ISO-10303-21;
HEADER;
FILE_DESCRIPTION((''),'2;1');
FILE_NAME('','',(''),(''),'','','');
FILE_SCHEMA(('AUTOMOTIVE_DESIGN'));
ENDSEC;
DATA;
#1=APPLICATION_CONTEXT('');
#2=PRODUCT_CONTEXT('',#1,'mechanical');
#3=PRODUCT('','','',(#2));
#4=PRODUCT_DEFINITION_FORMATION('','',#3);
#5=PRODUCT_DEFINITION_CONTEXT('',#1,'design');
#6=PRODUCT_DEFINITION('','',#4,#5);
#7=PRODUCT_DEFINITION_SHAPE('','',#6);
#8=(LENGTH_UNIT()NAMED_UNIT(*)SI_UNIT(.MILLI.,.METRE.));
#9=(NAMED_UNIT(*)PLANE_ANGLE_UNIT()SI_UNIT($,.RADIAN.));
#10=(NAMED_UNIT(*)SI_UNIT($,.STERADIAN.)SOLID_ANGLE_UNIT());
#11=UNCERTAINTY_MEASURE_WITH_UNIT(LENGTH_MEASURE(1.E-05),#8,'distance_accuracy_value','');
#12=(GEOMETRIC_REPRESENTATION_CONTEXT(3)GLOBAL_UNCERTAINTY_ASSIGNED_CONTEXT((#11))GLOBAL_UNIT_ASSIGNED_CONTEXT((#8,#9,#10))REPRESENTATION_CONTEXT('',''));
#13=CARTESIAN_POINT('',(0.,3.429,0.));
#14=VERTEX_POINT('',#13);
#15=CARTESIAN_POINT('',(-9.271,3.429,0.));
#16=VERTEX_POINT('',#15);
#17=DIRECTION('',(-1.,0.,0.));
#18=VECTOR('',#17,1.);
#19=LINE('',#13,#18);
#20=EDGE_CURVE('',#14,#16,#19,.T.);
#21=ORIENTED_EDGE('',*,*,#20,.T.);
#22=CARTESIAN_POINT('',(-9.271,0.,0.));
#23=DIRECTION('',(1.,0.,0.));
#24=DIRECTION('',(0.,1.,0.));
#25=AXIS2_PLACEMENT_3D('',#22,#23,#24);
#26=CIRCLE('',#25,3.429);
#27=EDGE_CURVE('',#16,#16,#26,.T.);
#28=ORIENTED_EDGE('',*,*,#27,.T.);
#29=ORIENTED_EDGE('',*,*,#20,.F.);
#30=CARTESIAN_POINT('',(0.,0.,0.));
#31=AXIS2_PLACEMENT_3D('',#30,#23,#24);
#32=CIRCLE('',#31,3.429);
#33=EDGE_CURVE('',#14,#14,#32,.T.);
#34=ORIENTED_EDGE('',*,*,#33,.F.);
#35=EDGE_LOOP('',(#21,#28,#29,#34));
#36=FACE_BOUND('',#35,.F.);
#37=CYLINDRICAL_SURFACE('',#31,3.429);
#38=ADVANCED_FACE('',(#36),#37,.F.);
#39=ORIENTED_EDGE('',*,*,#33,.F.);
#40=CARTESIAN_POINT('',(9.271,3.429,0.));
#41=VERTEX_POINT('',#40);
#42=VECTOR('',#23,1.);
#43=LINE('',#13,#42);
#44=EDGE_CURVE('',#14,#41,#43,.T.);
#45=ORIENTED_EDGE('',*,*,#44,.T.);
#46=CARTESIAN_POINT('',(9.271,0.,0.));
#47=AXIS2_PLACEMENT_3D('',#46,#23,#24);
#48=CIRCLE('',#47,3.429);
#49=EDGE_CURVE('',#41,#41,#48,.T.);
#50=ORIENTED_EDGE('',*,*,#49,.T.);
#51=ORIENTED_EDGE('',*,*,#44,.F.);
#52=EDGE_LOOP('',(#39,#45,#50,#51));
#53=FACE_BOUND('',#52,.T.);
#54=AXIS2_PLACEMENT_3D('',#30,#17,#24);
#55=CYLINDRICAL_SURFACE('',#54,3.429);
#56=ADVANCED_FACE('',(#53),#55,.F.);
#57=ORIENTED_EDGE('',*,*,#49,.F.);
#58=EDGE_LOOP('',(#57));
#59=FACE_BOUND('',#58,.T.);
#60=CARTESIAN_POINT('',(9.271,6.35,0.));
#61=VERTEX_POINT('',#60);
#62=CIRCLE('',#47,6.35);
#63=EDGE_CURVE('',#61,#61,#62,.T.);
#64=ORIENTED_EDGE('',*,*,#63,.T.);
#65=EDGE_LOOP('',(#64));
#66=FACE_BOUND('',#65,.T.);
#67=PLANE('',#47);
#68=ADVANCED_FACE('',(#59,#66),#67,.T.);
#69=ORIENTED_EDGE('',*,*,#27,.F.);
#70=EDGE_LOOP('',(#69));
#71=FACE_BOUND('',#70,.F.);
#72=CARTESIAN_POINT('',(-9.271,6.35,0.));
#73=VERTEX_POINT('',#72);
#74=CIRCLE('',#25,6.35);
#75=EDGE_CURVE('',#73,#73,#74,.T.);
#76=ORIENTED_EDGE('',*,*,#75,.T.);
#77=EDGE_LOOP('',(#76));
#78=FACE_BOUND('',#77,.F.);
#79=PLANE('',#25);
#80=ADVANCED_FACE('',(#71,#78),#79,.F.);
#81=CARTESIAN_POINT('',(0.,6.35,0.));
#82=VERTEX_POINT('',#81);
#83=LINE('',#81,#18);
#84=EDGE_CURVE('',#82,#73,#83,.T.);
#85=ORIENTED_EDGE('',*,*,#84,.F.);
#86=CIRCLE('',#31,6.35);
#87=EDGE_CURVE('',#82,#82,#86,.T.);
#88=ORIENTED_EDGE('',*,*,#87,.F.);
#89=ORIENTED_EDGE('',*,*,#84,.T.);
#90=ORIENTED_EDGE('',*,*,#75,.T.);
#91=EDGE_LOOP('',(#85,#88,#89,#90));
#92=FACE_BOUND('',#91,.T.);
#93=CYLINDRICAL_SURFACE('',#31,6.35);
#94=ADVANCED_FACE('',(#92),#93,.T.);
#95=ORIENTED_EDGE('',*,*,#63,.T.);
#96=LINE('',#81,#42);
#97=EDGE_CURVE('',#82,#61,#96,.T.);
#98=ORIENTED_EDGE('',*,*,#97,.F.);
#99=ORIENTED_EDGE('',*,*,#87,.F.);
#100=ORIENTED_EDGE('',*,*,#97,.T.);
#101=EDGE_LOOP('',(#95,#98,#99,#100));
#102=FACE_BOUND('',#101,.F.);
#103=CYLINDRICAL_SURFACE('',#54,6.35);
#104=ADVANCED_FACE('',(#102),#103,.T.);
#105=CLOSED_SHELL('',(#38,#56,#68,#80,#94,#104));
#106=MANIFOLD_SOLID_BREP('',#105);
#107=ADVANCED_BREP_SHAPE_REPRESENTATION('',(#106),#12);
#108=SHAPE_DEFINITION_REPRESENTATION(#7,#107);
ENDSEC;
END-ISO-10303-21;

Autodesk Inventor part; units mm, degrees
ref_plane "YZ Plane" through (0, 0, 0) normal (1, 0, 0) x (0, 1, 0)
ref_plane "XZ Plane" through (0, 0, 0) normal (0, 1, 0) x (-1, 0, 0)
ref_plane "XY Plane" through (0, 0, 0) normal (0, 0, 1) x (1, 0, 0)
sketch "Sketch1" plane through (0, 0, 0) normal (1, 0, 0) x (0, 1, 0)
  circle A0 centre (0, 0) radius 6.35
  circle A1 centre (0, 0) radius 3.429
  dimension "d0" = 12.7
  dimension "d1" = 6.858
extrude "Extrusion1" add sketch "Sketch1" along normal mid plane 18.542
properties part number "WormSpacer"
